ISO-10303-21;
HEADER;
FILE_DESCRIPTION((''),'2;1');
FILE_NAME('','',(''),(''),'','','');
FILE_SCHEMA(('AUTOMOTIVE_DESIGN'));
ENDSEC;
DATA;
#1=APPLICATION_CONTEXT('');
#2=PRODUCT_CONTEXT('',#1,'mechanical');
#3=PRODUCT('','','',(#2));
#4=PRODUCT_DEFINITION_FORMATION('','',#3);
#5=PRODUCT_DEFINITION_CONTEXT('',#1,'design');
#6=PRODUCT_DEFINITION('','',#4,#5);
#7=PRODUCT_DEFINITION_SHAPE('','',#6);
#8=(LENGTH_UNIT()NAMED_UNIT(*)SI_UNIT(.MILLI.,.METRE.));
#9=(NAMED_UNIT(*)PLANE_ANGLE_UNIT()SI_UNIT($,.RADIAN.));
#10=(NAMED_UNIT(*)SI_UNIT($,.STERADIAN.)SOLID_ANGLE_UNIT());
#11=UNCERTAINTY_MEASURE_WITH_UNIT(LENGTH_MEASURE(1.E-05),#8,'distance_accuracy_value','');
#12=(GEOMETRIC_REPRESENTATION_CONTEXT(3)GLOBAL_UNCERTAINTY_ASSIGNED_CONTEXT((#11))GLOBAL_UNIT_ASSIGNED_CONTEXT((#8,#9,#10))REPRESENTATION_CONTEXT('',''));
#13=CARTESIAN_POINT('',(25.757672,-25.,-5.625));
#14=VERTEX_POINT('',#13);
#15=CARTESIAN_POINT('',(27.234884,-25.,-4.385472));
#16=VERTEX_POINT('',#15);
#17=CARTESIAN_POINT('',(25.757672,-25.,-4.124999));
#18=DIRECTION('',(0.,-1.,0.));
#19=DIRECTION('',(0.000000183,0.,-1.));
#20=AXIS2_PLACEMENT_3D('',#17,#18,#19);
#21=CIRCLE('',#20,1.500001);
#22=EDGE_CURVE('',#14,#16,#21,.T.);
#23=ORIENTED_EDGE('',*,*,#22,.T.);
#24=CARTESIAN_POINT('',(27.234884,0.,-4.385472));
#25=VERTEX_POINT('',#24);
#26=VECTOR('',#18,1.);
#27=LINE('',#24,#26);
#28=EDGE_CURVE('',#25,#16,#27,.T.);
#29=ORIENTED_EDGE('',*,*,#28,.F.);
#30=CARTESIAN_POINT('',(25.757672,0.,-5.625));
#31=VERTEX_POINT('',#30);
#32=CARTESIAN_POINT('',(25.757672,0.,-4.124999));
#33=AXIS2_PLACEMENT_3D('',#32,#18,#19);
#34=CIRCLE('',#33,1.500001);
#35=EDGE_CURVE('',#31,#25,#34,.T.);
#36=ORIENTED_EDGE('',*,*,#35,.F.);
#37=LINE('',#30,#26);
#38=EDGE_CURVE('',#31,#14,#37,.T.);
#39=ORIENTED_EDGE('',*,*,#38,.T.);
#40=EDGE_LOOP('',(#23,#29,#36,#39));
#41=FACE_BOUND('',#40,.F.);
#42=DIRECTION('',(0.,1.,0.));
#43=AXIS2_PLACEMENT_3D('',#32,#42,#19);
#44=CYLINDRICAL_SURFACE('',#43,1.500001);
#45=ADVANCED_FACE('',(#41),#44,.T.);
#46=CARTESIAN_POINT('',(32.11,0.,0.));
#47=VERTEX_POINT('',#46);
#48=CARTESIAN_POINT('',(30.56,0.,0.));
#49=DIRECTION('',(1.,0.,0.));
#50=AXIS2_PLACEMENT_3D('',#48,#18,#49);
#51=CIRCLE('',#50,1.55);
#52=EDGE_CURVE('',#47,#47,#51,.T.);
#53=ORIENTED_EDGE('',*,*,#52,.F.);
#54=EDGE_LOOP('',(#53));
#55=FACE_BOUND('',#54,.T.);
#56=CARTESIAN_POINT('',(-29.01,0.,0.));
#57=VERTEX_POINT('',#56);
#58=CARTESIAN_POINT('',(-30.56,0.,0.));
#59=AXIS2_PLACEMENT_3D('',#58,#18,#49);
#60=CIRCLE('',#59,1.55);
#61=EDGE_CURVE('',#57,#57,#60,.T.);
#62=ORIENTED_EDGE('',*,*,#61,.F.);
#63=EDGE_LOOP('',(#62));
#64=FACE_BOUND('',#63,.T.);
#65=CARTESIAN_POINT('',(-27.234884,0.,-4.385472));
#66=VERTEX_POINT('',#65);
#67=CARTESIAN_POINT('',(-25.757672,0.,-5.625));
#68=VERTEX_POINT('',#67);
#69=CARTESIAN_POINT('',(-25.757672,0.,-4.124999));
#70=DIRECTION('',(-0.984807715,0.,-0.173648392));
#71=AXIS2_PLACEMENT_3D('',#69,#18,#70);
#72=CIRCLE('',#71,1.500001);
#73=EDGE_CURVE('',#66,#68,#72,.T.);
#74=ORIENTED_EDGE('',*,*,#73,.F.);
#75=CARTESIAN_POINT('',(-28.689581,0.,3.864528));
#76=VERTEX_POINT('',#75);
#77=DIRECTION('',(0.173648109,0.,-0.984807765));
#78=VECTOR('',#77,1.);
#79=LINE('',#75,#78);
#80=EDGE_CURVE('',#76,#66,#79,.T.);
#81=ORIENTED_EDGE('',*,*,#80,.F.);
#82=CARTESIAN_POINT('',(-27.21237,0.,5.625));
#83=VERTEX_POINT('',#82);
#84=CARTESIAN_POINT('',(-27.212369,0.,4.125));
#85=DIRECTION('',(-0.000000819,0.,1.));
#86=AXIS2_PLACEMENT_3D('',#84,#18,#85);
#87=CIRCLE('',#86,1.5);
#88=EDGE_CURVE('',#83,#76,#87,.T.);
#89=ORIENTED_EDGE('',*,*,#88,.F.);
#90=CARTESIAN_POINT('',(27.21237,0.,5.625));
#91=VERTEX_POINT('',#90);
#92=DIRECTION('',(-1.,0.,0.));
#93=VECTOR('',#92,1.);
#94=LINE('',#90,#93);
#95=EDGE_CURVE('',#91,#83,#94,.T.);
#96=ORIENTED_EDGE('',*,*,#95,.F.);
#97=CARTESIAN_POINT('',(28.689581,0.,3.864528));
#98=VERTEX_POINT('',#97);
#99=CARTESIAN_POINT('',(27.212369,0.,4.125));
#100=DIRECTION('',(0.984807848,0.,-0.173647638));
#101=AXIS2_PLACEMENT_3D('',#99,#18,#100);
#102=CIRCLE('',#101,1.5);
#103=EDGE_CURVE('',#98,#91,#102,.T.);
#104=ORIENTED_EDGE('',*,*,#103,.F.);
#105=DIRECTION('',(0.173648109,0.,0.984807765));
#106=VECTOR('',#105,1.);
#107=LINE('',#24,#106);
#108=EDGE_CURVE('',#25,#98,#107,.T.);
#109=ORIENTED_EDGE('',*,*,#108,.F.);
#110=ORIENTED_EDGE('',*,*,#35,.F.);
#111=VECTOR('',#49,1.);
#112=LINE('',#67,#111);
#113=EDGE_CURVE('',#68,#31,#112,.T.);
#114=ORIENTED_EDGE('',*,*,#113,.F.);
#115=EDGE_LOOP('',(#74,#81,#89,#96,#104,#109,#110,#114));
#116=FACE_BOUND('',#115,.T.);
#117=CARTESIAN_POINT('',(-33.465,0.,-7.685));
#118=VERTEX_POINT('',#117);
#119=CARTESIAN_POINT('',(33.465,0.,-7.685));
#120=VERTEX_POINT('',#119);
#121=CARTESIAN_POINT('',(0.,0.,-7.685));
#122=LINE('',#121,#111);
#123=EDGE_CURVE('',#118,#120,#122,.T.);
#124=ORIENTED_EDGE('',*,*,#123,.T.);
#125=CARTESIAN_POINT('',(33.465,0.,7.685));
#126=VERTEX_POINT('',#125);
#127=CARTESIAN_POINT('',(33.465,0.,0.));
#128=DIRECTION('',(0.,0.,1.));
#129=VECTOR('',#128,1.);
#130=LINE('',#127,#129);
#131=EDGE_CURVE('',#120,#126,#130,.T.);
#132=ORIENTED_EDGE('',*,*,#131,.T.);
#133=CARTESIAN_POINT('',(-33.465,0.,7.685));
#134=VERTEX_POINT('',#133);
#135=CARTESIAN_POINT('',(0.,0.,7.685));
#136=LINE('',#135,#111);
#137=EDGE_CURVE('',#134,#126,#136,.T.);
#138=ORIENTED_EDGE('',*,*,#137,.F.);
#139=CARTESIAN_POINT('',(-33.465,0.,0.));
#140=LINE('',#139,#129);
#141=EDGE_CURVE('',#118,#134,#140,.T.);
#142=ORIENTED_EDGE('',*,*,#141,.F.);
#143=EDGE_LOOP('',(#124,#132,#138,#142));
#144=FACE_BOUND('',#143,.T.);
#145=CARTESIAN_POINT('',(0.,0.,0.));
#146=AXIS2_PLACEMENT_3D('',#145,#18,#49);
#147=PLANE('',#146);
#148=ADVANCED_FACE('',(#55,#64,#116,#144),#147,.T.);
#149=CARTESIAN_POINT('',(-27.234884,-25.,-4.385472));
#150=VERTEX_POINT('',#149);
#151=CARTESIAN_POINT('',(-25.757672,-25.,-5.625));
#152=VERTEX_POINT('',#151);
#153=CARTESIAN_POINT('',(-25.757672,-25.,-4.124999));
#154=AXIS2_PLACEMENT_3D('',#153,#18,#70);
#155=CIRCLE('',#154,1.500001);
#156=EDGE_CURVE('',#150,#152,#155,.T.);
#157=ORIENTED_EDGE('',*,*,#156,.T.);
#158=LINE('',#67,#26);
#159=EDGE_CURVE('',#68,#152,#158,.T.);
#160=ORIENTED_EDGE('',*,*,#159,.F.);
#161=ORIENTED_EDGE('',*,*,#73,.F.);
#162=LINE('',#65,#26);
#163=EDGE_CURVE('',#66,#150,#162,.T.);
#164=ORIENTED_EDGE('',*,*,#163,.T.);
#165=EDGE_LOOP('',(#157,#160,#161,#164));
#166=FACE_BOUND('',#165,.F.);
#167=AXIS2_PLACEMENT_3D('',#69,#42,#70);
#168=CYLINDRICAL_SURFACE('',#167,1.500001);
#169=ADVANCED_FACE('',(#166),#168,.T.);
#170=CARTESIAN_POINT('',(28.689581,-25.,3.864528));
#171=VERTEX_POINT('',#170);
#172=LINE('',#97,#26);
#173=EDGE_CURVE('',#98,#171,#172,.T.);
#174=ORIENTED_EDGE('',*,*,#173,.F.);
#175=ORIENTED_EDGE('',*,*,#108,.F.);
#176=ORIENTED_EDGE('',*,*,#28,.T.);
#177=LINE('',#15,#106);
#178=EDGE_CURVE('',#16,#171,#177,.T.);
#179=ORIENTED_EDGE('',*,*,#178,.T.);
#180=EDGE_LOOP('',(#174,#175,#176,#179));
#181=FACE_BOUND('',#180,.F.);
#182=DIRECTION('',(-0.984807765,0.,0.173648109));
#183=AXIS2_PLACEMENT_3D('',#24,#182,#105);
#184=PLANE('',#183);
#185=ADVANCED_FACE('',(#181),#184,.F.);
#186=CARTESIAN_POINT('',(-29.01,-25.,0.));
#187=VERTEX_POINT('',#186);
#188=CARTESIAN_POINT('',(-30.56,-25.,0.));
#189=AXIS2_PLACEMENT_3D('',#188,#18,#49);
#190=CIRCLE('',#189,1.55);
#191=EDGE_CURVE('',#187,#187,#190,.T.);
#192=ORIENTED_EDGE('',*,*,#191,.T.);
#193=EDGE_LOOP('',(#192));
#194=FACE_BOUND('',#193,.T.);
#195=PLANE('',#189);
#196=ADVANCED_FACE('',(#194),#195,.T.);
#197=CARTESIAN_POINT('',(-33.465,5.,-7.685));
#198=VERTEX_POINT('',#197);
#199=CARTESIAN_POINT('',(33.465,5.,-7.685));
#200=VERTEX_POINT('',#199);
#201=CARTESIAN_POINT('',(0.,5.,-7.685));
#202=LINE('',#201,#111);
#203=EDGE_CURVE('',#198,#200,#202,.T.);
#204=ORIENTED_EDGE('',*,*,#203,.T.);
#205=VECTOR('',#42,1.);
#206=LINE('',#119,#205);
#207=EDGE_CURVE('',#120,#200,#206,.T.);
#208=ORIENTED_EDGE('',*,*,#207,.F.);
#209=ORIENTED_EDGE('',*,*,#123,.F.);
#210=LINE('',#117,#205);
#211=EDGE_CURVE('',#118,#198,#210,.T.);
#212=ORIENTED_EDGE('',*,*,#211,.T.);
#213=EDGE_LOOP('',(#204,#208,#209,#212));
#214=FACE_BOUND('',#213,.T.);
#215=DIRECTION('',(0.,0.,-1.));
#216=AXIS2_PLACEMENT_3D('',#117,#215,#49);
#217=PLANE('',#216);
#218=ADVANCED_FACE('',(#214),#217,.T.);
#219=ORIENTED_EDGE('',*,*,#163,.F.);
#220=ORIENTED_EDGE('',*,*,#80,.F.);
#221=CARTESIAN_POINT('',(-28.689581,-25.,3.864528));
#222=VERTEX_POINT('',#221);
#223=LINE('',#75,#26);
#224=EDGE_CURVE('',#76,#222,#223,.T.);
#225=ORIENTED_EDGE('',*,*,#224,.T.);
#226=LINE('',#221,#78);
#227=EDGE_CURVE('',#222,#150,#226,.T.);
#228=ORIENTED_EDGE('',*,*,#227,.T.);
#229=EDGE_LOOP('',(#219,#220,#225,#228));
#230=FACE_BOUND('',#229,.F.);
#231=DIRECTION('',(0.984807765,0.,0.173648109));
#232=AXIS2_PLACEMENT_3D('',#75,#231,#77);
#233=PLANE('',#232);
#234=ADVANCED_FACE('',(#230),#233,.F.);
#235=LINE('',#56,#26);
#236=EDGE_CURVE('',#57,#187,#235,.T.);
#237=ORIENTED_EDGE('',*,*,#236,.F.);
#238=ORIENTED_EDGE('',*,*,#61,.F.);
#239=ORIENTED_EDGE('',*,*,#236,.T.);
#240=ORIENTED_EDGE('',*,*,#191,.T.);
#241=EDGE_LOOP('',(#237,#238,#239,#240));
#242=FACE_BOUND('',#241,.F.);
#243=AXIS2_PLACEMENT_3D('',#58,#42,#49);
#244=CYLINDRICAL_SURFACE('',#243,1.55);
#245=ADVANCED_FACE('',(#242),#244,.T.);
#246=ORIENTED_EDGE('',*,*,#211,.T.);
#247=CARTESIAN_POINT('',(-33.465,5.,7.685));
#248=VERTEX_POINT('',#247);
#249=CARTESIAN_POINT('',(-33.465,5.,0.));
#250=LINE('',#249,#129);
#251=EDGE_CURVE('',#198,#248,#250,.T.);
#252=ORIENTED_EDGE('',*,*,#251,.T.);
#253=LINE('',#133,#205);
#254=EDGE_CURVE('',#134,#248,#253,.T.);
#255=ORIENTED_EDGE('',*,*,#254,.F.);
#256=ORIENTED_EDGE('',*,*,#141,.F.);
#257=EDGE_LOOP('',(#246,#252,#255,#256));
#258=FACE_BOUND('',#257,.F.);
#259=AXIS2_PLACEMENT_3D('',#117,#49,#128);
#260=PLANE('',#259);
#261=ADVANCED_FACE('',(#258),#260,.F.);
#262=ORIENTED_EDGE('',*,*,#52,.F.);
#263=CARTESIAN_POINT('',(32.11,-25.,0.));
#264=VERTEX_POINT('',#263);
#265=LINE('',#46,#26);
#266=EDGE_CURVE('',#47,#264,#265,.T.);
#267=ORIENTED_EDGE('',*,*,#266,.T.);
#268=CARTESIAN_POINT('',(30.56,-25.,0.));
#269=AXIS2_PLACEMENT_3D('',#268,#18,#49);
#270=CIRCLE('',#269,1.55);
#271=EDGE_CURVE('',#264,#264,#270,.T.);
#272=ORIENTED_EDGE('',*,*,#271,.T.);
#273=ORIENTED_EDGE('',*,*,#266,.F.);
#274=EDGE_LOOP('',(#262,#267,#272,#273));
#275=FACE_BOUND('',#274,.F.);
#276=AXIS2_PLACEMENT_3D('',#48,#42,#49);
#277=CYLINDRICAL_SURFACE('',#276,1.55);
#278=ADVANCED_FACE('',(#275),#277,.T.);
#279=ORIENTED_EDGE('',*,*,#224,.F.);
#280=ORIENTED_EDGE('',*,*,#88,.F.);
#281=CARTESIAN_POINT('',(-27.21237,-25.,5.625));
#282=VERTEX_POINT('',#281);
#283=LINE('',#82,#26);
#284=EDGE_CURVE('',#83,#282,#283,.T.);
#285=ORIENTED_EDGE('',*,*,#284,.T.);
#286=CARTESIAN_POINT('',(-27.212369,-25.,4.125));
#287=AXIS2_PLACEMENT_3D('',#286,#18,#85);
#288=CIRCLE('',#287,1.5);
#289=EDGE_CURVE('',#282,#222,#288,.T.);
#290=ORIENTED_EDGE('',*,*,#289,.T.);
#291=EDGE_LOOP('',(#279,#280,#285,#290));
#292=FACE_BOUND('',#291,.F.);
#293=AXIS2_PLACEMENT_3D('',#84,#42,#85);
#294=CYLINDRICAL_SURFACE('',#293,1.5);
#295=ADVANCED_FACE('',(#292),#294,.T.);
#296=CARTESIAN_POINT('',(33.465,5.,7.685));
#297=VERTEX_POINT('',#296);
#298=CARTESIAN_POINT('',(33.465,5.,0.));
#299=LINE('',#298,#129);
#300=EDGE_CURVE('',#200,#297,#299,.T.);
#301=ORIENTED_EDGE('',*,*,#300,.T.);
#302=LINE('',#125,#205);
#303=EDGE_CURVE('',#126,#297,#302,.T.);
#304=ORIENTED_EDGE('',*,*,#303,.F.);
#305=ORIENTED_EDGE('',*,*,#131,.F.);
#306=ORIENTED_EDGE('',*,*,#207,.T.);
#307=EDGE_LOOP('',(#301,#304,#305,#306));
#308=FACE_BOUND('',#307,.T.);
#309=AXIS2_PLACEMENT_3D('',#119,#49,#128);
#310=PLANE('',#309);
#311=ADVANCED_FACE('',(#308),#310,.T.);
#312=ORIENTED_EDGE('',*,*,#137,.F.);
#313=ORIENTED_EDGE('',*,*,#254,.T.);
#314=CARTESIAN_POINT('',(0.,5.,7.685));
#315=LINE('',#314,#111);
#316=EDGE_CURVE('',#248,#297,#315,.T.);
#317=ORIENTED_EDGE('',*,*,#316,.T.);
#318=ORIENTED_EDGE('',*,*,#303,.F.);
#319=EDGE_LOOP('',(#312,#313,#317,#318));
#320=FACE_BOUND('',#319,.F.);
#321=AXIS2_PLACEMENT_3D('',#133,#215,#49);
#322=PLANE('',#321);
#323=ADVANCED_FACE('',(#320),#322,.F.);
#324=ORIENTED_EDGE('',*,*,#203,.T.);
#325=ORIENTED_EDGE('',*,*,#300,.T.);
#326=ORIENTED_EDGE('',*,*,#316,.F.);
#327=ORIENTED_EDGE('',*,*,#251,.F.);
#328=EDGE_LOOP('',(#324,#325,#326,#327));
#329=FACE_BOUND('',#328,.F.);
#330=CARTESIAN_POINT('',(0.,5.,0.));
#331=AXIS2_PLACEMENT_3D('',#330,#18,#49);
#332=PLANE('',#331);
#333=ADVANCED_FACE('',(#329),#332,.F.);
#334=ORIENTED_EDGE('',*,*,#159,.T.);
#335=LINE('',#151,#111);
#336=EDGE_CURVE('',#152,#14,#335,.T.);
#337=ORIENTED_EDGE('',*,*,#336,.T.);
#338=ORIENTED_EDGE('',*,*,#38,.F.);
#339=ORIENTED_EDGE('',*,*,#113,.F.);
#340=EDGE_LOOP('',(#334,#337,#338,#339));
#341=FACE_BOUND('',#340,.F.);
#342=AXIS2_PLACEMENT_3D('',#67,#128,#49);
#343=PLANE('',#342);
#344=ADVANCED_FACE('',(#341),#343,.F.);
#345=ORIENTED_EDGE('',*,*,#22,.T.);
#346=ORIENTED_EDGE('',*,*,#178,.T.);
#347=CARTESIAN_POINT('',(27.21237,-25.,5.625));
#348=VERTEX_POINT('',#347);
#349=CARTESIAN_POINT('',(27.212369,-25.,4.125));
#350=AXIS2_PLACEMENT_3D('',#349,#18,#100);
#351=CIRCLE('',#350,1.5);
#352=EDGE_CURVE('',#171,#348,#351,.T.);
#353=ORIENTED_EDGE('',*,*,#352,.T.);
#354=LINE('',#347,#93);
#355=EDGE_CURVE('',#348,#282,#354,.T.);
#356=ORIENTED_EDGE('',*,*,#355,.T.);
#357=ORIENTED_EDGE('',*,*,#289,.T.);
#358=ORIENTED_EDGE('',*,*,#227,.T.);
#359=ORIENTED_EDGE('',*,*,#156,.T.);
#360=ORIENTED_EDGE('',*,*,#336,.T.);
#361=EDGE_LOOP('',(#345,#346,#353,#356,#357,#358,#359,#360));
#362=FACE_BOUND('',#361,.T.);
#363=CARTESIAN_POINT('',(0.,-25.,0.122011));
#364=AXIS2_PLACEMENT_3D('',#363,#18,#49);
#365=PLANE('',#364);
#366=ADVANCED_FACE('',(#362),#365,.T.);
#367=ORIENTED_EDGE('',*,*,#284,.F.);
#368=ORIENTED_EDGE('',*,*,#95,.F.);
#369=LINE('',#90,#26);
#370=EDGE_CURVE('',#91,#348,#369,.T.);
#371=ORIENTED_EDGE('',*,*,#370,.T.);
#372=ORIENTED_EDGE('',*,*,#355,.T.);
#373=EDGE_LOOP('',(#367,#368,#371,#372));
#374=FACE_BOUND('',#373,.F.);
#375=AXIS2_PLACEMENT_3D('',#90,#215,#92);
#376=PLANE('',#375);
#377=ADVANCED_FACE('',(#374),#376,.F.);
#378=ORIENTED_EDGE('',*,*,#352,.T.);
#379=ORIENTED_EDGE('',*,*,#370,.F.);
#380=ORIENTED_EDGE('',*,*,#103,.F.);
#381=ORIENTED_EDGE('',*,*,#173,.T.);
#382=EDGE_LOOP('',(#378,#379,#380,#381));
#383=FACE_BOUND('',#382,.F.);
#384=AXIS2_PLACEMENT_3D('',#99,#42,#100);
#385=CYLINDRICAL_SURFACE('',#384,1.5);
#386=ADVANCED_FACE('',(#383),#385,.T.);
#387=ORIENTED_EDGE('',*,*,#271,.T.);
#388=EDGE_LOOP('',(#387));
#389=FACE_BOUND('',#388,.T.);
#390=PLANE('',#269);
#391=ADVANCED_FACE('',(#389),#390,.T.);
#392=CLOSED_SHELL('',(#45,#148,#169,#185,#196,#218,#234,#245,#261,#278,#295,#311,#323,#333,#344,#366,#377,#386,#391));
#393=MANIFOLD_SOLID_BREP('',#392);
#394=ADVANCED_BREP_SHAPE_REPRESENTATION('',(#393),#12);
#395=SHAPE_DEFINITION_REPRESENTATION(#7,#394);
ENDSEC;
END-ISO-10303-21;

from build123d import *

# Parameters (mm, degrees)
F0_R     = 1.55
F1_DEPTH = 25
F0_W     = 66.93
F0_H     = 15.37
F2_DEPTH = 5


with BuildPart() as f1:
    # F0 (on Front) → F1 (new body)
    with BuildSketch(Plane.XZ):
        with BuildLine():
            Line((27.234884, -4.385472), (28.689581, 3.864528))
            ThreePointArc((28.689581, 3.864528), (28.361436, 5.089181), (27.21237, 5.625))
            Line((27.21237, 5.625), (0, 5.625))
            Line((0, 5.625), (-27.21237, 5.625))
            ThreePointArc((-27.21237, 5.625), (-28.361436, 5.089181), (-28.689581, 3.864528))
            Line((-28.689581, 3.864528), (-27.234884, -4.385472))
            ThreePointArc((-27.234884, -4.385472), (-26.721853, -5.274067), (-25.757672, -5.625))
            Line((-25.757672, -5.625), (0, -5.625))
            Line((0, -5.625), (25.757672, -5.625))
            ThreePointArc((25.757672, -5.625), (26.721853, -5.274067), (27.234884, -4.385472))
        make_face()
        with Locations((-30.56, 0)):
            Circle(F0_R)
        with Locations((30.56, 0)):
            Circle(F0_R)
    extrude(amount=F1_DEPTH)

    # F0 (on Front) → F2 (join)
    with BuildSketch(Plane.XZ):
        Rectangle(F0_W, F0_H)
        with Locations((-30.56, 0)):
            Circle(F0_R, mode=Mode.SUBTRACT)
        with BuildLine():
            ThreePointArc((27.21237, 5.625), (28.361436, 5.089181), (28.689581, 3.864528))
            Line((28.689581, 3.864528), (27.234884, -4.385472))
            ThreePointArc((27.234884, -4.385472), (26.721853, -5.274067), (25.757672, -5.625))
            Line((25.757672, -5.625), (0, -5.625))
            Line((0, -5.625), (-25.757672, -5.625))
            ThreePointArc((-25.757672, -5.625), (-26.721853, -5.274067), (-27.234884, -4.385472))
            Line((-27.234884, -4.385472), (-28.689581, 3.864528))
            ThreePointArc((-28.689581, 3.864528), (-28.361436, 5.089181), (-27.21237, 5.625))
            Line((-27.21237, 5.625), (0, 5.625))
            Line((0, 5.625), (27.21237, 5.625))
        make_face(mode=Mode.SUBTRACT)
        with Locations((30.56, 0)):
            Circle(F0_R, mode=Mode.SUBTRACT)
        with BuildLine():
            Line((27.234884, -4.385472), (28.689581, 3.864528))
            ThreePointArc((28.689581, 3.864528), (28.361436, 5.089181), (27.21237, 5.625))
            Line((27.21237, 5.625), (0, 5.625))
            Line((0, 5.625), (-27.21237, 5.625))
            ThreePointArc((-27.21237, 5.625), (-28.361436, 5.089181), (-28.689581, 3.864528))
            Line((-28.689581, 3.864528), (-27.234884, -4.385472))
            ThreePointArc((-27.234884, -4.385472), (-26.721853, -5.274067), (-25.757672, -5.625))
            Line((-25.757672, -5.625), (0, -5.625))
            Line((0, -5.625), (25.757672, -5.625))
            ThreePointArc((25.757672, -5.625), (26.721853, -5.274067), (27.234884, -4.385472))
        make_face()
        with Locations((30.56, 0)):
            Circle(F0_R)
        with Locations((-30.56, 0)):
            Circle(F0_R)
    extrude(amount=-F2_DEPTH)


solid = f1.part
